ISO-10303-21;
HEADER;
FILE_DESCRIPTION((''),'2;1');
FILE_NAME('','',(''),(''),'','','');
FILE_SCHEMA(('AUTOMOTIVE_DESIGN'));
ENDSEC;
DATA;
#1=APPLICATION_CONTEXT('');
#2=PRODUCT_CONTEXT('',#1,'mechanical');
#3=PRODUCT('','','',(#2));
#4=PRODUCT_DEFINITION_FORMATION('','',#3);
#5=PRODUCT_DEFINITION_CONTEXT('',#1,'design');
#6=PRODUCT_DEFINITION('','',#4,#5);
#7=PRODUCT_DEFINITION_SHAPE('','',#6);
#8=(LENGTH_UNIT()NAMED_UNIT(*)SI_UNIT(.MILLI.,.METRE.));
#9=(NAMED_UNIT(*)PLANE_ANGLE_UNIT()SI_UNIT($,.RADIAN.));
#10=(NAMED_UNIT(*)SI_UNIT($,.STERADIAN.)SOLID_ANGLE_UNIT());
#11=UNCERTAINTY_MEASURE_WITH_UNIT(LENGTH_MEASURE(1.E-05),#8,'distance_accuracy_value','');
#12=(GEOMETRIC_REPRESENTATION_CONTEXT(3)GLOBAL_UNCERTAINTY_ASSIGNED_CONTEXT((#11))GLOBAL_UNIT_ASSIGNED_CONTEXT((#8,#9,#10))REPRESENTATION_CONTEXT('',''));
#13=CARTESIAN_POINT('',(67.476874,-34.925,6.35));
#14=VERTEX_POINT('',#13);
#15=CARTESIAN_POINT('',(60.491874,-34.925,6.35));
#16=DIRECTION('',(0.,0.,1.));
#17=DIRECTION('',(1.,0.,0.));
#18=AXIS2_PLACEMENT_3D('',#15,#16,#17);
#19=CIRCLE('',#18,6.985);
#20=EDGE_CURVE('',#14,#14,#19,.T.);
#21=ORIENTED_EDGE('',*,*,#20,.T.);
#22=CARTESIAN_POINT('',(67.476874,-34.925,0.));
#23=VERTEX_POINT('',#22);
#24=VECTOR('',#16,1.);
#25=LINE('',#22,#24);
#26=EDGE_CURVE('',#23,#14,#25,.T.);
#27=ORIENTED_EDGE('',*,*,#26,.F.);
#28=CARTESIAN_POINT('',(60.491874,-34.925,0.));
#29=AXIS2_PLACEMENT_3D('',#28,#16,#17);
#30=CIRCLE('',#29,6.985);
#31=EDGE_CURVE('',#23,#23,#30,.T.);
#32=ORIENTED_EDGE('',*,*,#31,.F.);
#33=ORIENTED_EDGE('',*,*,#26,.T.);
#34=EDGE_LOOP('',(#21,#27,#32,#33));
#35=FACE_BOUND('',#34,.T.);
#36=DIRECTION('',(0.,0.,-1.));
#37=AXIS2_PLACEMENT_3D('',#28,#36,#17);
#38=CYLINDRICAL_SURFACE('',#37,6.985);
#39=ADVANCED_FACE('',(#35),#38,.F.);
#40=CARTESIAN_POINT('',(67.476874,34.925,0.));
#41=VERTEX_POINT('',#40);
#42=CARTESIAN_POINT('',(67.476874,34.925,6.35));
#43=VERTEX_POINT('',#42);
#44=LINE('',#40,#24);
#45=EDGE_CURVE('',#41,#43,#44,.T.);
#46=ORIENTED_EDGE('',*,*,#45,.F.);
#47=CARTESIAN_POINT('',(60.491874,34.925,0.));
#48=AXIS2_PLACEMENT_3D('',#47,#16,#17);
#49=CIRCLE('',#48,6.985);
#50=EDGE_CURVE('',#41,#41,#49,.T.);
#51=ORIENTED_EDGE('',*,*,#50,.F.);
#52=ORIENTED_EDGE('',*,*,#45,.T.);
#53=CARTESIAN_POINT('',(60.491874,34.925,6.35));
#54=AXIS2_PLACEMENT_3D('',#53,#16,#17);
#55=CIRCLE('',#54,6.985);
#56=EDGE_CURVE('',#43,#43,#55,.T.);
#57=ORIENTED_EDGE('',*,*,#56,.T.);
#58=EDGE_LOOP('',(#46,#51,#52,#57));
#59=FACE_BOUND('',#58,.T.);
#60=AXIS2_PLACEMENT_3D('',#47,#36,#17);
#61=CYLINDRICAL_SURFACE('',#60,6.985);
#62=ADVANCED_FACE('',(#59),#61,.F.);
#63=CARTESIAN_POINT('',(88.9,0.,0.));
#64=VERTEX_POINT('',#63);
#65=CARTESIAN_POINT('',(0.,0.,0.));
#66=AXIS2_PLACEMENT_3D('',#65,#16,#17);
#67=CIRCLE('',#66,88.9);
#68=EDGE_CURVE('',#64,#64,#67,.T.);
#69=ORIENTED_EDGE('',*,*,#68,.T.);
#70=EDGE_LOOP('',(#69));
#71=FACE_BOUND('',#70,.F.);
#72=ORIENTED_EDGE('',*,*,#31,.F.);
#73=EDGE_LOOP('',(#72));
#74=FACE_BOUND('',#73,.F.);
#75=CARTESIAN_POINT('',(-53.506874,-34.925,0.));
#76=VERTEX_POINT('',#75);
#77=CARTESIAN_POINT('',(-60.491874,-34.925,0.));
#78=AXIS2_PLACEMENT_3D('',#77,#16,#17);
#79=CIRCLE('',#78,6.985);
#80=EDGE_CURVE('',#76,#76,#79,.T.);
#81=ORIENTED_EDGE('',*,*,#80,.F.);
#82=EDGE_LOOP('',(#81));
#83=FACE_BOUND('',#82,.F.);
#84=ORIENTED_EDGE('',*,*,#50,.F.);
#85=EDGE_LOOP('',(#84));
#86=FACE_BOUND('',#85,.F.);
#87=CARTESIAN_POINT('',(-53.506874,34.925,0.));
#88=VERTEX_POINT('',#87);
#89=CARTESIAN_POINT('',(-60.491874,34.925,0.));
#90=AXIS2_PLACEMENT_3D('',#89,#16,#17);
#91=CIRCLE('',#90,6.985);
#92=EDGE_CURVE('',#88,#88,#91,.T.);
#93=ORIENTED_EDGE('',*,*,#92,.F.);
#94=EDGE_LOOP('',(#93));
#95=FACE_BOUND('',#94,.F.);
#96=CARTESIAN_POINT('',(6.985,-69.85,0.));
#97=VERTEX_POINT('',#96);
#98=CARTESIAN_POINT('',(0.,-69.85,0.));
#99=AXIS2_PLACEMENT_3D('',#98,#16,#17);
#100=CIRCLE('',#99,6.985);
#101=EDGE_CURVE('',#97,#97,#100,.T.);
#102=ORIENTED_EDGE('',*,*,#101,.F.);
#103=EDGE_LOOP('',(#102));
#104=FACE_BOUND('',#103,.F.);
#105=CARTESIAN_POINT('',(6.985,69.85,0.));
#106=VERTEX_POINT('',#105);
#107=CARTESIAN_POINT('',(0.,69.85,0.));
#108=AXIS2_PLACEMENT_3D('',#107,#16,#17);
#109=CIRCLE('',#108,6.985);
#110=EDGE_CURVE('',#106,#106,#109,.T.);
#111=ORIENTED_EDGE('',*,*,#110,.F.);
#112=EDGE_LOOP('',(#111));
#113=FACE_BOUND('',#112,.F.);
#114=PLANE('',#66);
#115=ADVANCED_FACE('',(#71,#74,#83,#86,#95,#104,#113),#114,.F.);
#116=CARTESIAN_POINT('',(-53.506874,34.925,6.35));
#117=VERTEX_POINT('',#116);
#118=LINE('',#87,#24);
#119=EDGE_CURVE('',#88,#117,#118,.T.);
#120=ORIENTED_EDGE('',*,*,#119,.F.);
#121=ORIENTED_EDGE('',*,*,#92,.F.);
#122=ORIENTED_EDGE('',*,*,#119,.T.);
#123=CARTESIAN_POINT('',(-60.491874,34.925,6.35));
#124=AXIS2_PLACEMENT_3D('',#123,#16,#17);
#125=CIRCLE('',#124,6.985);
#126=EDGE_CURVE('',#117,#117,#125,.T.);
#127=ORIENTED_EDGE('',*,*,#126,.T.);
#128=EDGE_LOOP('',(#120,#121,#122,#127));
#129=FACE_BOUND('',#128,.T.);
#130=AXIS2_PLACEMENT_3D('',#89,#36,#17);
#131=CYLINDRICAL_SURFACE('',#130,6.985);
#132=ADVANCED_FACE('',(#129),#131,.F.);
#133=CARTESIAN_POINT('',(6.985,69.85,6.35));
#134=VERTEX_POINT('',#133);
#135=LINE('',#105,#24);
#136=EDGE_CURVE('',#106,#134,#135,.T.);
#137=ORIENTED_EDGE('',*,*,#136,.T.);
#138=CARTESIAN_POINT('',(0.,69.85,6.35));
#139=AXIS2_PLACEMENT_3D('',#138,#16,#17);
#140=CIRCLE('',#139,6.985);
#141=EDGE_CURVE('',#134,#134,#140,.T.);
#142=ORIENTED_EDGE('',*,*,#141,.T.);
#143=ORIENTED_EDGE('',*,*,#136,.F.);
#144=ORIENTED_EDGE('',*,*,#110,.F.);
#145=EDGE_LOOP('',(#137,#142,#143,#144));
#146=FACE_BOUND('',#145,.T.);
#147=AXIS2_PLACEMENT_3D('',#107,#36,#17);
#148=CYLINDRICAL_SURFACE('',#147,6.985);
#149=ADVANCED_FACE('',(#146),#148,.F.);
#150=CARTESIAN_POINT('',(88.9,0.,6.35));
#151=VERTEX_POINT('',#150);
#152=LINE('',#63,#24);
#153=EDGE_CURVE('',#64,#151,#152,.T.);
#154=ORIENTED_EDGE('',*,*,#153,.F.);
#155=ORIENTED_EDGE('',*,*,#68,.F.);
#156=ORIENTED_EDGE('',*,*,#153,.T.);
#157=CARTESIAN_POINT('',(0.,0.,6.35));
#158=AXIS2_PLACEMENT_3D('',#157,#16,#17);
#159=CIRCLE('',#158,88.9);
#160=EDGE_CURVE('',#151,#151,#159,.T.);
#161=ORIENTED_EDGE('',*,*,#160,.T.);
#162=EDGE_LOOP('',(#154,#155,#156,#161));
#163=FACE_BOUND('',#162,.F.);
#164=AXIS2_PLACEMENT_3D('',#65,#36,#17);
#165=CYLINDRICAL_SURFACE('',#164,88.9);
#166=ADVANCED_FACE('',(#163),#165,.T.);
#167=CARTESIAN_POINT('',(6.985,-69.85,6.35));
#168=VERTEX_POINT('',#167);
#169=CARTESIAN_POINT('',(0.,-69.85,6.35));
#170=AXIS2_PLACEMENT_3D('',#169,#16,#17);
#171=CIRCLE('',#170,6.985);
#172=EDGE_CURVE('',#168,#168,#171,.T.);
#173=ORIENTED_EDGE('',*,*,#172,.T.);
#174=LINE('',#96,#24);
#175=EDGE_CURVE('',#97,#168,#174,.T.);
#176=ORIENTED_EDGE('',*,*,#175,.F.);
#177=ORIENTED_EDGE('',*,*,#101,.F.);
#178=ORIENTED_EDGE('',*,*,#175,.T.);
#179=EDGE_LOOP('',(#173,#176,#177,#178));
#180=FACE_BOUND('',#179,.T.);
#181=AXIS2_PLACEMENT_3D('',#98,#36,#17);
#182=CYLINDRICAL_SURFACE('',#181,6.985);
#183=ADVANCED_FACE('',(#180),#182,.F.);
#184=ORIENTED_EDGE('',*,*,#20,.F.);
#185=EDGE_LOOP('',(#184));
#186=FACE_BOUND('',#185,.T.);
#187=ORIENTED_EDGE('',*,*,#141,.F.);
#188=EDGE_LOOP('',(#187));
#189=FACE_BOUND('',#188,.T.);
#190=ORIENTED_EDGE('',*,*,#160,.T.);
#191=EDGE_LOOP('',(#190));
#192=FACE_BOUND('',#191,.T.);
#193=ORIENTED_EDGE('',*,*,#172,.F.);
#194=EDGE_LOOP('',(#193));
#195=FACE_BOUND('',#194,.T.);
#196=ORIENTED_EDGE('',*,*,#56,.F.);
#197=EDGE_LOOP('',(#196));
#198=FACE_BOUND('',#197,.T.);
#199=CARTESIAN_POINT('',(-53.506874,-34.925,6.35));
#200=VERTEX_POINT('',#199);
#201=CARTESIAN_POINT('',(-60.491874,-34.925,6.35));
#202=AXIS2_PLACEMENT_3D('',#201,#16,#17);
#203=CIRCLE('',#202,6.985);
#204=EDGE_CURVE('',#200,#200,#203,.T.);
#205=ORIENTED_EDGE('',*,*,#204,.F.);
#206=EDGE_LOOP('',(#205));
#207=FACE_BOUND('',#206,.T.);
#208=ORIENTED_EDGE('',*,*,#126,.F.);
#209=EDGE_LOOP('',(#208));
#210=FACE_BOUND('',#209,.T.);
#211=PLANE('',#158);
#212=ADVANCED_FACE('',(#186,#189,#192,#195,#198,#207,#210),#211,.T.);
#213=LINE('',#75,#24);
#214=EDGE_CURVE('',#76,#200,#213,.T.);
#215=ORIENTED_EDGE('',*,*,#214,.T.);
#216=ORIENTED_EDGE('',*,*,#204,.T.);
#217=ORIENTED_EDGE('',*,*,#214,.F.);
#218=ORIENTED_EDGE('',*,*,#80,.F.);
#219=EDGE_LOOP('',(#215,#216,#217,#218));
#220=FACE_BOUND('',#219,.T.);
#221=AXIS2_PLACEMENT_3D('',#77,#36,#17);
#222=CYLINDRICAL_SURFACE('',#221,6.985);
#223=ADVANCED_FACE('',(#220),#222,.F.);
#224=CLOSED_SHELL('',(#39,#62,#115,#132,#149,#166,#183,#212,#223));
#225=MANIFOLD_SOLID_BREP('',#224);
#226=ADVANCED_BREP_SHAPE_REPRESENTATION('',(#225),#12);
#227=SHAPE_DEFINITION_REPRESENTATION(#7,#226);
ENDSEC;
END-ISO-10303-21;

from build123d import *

# Parameters (mm, degrees)
F0_R     = 88.9
F0_R_2   = 6.985
F1_DEPTH = 6.35


with BuildPart() as f1:
    # F0 (on Top) → F1 (new body)
    with BuildSketch(Plane.XY):
        Circle(F0_R)
        with Locations((-60.491874, -34.925)):
            Circle(F0_R_2, mode=Mode.SUBTRACT)
        with Locations((0, -69.85)):
            Circle(F0_R_2, mode=Mode.SUBTRACT)
        with Locations((60.491874, -34.925)):
            Circle(F0_R_2, mode=Mode.SUBTRACT)
        with Locations((-60.491874, 34.925)):
            Circle(F0_R_2, mode=Mode.SUBTRACT)
        with Locations((60.491874, 34.925)):
            Circle(F0_R_2, mode=Mode.SUBTRACT)
        with Locations((0, 69.85)):
            Circle(F0_R_2, mode=Mode.SUBTRACT)
    extrude(amount=F1_DEPTH)


solid = f1.part
